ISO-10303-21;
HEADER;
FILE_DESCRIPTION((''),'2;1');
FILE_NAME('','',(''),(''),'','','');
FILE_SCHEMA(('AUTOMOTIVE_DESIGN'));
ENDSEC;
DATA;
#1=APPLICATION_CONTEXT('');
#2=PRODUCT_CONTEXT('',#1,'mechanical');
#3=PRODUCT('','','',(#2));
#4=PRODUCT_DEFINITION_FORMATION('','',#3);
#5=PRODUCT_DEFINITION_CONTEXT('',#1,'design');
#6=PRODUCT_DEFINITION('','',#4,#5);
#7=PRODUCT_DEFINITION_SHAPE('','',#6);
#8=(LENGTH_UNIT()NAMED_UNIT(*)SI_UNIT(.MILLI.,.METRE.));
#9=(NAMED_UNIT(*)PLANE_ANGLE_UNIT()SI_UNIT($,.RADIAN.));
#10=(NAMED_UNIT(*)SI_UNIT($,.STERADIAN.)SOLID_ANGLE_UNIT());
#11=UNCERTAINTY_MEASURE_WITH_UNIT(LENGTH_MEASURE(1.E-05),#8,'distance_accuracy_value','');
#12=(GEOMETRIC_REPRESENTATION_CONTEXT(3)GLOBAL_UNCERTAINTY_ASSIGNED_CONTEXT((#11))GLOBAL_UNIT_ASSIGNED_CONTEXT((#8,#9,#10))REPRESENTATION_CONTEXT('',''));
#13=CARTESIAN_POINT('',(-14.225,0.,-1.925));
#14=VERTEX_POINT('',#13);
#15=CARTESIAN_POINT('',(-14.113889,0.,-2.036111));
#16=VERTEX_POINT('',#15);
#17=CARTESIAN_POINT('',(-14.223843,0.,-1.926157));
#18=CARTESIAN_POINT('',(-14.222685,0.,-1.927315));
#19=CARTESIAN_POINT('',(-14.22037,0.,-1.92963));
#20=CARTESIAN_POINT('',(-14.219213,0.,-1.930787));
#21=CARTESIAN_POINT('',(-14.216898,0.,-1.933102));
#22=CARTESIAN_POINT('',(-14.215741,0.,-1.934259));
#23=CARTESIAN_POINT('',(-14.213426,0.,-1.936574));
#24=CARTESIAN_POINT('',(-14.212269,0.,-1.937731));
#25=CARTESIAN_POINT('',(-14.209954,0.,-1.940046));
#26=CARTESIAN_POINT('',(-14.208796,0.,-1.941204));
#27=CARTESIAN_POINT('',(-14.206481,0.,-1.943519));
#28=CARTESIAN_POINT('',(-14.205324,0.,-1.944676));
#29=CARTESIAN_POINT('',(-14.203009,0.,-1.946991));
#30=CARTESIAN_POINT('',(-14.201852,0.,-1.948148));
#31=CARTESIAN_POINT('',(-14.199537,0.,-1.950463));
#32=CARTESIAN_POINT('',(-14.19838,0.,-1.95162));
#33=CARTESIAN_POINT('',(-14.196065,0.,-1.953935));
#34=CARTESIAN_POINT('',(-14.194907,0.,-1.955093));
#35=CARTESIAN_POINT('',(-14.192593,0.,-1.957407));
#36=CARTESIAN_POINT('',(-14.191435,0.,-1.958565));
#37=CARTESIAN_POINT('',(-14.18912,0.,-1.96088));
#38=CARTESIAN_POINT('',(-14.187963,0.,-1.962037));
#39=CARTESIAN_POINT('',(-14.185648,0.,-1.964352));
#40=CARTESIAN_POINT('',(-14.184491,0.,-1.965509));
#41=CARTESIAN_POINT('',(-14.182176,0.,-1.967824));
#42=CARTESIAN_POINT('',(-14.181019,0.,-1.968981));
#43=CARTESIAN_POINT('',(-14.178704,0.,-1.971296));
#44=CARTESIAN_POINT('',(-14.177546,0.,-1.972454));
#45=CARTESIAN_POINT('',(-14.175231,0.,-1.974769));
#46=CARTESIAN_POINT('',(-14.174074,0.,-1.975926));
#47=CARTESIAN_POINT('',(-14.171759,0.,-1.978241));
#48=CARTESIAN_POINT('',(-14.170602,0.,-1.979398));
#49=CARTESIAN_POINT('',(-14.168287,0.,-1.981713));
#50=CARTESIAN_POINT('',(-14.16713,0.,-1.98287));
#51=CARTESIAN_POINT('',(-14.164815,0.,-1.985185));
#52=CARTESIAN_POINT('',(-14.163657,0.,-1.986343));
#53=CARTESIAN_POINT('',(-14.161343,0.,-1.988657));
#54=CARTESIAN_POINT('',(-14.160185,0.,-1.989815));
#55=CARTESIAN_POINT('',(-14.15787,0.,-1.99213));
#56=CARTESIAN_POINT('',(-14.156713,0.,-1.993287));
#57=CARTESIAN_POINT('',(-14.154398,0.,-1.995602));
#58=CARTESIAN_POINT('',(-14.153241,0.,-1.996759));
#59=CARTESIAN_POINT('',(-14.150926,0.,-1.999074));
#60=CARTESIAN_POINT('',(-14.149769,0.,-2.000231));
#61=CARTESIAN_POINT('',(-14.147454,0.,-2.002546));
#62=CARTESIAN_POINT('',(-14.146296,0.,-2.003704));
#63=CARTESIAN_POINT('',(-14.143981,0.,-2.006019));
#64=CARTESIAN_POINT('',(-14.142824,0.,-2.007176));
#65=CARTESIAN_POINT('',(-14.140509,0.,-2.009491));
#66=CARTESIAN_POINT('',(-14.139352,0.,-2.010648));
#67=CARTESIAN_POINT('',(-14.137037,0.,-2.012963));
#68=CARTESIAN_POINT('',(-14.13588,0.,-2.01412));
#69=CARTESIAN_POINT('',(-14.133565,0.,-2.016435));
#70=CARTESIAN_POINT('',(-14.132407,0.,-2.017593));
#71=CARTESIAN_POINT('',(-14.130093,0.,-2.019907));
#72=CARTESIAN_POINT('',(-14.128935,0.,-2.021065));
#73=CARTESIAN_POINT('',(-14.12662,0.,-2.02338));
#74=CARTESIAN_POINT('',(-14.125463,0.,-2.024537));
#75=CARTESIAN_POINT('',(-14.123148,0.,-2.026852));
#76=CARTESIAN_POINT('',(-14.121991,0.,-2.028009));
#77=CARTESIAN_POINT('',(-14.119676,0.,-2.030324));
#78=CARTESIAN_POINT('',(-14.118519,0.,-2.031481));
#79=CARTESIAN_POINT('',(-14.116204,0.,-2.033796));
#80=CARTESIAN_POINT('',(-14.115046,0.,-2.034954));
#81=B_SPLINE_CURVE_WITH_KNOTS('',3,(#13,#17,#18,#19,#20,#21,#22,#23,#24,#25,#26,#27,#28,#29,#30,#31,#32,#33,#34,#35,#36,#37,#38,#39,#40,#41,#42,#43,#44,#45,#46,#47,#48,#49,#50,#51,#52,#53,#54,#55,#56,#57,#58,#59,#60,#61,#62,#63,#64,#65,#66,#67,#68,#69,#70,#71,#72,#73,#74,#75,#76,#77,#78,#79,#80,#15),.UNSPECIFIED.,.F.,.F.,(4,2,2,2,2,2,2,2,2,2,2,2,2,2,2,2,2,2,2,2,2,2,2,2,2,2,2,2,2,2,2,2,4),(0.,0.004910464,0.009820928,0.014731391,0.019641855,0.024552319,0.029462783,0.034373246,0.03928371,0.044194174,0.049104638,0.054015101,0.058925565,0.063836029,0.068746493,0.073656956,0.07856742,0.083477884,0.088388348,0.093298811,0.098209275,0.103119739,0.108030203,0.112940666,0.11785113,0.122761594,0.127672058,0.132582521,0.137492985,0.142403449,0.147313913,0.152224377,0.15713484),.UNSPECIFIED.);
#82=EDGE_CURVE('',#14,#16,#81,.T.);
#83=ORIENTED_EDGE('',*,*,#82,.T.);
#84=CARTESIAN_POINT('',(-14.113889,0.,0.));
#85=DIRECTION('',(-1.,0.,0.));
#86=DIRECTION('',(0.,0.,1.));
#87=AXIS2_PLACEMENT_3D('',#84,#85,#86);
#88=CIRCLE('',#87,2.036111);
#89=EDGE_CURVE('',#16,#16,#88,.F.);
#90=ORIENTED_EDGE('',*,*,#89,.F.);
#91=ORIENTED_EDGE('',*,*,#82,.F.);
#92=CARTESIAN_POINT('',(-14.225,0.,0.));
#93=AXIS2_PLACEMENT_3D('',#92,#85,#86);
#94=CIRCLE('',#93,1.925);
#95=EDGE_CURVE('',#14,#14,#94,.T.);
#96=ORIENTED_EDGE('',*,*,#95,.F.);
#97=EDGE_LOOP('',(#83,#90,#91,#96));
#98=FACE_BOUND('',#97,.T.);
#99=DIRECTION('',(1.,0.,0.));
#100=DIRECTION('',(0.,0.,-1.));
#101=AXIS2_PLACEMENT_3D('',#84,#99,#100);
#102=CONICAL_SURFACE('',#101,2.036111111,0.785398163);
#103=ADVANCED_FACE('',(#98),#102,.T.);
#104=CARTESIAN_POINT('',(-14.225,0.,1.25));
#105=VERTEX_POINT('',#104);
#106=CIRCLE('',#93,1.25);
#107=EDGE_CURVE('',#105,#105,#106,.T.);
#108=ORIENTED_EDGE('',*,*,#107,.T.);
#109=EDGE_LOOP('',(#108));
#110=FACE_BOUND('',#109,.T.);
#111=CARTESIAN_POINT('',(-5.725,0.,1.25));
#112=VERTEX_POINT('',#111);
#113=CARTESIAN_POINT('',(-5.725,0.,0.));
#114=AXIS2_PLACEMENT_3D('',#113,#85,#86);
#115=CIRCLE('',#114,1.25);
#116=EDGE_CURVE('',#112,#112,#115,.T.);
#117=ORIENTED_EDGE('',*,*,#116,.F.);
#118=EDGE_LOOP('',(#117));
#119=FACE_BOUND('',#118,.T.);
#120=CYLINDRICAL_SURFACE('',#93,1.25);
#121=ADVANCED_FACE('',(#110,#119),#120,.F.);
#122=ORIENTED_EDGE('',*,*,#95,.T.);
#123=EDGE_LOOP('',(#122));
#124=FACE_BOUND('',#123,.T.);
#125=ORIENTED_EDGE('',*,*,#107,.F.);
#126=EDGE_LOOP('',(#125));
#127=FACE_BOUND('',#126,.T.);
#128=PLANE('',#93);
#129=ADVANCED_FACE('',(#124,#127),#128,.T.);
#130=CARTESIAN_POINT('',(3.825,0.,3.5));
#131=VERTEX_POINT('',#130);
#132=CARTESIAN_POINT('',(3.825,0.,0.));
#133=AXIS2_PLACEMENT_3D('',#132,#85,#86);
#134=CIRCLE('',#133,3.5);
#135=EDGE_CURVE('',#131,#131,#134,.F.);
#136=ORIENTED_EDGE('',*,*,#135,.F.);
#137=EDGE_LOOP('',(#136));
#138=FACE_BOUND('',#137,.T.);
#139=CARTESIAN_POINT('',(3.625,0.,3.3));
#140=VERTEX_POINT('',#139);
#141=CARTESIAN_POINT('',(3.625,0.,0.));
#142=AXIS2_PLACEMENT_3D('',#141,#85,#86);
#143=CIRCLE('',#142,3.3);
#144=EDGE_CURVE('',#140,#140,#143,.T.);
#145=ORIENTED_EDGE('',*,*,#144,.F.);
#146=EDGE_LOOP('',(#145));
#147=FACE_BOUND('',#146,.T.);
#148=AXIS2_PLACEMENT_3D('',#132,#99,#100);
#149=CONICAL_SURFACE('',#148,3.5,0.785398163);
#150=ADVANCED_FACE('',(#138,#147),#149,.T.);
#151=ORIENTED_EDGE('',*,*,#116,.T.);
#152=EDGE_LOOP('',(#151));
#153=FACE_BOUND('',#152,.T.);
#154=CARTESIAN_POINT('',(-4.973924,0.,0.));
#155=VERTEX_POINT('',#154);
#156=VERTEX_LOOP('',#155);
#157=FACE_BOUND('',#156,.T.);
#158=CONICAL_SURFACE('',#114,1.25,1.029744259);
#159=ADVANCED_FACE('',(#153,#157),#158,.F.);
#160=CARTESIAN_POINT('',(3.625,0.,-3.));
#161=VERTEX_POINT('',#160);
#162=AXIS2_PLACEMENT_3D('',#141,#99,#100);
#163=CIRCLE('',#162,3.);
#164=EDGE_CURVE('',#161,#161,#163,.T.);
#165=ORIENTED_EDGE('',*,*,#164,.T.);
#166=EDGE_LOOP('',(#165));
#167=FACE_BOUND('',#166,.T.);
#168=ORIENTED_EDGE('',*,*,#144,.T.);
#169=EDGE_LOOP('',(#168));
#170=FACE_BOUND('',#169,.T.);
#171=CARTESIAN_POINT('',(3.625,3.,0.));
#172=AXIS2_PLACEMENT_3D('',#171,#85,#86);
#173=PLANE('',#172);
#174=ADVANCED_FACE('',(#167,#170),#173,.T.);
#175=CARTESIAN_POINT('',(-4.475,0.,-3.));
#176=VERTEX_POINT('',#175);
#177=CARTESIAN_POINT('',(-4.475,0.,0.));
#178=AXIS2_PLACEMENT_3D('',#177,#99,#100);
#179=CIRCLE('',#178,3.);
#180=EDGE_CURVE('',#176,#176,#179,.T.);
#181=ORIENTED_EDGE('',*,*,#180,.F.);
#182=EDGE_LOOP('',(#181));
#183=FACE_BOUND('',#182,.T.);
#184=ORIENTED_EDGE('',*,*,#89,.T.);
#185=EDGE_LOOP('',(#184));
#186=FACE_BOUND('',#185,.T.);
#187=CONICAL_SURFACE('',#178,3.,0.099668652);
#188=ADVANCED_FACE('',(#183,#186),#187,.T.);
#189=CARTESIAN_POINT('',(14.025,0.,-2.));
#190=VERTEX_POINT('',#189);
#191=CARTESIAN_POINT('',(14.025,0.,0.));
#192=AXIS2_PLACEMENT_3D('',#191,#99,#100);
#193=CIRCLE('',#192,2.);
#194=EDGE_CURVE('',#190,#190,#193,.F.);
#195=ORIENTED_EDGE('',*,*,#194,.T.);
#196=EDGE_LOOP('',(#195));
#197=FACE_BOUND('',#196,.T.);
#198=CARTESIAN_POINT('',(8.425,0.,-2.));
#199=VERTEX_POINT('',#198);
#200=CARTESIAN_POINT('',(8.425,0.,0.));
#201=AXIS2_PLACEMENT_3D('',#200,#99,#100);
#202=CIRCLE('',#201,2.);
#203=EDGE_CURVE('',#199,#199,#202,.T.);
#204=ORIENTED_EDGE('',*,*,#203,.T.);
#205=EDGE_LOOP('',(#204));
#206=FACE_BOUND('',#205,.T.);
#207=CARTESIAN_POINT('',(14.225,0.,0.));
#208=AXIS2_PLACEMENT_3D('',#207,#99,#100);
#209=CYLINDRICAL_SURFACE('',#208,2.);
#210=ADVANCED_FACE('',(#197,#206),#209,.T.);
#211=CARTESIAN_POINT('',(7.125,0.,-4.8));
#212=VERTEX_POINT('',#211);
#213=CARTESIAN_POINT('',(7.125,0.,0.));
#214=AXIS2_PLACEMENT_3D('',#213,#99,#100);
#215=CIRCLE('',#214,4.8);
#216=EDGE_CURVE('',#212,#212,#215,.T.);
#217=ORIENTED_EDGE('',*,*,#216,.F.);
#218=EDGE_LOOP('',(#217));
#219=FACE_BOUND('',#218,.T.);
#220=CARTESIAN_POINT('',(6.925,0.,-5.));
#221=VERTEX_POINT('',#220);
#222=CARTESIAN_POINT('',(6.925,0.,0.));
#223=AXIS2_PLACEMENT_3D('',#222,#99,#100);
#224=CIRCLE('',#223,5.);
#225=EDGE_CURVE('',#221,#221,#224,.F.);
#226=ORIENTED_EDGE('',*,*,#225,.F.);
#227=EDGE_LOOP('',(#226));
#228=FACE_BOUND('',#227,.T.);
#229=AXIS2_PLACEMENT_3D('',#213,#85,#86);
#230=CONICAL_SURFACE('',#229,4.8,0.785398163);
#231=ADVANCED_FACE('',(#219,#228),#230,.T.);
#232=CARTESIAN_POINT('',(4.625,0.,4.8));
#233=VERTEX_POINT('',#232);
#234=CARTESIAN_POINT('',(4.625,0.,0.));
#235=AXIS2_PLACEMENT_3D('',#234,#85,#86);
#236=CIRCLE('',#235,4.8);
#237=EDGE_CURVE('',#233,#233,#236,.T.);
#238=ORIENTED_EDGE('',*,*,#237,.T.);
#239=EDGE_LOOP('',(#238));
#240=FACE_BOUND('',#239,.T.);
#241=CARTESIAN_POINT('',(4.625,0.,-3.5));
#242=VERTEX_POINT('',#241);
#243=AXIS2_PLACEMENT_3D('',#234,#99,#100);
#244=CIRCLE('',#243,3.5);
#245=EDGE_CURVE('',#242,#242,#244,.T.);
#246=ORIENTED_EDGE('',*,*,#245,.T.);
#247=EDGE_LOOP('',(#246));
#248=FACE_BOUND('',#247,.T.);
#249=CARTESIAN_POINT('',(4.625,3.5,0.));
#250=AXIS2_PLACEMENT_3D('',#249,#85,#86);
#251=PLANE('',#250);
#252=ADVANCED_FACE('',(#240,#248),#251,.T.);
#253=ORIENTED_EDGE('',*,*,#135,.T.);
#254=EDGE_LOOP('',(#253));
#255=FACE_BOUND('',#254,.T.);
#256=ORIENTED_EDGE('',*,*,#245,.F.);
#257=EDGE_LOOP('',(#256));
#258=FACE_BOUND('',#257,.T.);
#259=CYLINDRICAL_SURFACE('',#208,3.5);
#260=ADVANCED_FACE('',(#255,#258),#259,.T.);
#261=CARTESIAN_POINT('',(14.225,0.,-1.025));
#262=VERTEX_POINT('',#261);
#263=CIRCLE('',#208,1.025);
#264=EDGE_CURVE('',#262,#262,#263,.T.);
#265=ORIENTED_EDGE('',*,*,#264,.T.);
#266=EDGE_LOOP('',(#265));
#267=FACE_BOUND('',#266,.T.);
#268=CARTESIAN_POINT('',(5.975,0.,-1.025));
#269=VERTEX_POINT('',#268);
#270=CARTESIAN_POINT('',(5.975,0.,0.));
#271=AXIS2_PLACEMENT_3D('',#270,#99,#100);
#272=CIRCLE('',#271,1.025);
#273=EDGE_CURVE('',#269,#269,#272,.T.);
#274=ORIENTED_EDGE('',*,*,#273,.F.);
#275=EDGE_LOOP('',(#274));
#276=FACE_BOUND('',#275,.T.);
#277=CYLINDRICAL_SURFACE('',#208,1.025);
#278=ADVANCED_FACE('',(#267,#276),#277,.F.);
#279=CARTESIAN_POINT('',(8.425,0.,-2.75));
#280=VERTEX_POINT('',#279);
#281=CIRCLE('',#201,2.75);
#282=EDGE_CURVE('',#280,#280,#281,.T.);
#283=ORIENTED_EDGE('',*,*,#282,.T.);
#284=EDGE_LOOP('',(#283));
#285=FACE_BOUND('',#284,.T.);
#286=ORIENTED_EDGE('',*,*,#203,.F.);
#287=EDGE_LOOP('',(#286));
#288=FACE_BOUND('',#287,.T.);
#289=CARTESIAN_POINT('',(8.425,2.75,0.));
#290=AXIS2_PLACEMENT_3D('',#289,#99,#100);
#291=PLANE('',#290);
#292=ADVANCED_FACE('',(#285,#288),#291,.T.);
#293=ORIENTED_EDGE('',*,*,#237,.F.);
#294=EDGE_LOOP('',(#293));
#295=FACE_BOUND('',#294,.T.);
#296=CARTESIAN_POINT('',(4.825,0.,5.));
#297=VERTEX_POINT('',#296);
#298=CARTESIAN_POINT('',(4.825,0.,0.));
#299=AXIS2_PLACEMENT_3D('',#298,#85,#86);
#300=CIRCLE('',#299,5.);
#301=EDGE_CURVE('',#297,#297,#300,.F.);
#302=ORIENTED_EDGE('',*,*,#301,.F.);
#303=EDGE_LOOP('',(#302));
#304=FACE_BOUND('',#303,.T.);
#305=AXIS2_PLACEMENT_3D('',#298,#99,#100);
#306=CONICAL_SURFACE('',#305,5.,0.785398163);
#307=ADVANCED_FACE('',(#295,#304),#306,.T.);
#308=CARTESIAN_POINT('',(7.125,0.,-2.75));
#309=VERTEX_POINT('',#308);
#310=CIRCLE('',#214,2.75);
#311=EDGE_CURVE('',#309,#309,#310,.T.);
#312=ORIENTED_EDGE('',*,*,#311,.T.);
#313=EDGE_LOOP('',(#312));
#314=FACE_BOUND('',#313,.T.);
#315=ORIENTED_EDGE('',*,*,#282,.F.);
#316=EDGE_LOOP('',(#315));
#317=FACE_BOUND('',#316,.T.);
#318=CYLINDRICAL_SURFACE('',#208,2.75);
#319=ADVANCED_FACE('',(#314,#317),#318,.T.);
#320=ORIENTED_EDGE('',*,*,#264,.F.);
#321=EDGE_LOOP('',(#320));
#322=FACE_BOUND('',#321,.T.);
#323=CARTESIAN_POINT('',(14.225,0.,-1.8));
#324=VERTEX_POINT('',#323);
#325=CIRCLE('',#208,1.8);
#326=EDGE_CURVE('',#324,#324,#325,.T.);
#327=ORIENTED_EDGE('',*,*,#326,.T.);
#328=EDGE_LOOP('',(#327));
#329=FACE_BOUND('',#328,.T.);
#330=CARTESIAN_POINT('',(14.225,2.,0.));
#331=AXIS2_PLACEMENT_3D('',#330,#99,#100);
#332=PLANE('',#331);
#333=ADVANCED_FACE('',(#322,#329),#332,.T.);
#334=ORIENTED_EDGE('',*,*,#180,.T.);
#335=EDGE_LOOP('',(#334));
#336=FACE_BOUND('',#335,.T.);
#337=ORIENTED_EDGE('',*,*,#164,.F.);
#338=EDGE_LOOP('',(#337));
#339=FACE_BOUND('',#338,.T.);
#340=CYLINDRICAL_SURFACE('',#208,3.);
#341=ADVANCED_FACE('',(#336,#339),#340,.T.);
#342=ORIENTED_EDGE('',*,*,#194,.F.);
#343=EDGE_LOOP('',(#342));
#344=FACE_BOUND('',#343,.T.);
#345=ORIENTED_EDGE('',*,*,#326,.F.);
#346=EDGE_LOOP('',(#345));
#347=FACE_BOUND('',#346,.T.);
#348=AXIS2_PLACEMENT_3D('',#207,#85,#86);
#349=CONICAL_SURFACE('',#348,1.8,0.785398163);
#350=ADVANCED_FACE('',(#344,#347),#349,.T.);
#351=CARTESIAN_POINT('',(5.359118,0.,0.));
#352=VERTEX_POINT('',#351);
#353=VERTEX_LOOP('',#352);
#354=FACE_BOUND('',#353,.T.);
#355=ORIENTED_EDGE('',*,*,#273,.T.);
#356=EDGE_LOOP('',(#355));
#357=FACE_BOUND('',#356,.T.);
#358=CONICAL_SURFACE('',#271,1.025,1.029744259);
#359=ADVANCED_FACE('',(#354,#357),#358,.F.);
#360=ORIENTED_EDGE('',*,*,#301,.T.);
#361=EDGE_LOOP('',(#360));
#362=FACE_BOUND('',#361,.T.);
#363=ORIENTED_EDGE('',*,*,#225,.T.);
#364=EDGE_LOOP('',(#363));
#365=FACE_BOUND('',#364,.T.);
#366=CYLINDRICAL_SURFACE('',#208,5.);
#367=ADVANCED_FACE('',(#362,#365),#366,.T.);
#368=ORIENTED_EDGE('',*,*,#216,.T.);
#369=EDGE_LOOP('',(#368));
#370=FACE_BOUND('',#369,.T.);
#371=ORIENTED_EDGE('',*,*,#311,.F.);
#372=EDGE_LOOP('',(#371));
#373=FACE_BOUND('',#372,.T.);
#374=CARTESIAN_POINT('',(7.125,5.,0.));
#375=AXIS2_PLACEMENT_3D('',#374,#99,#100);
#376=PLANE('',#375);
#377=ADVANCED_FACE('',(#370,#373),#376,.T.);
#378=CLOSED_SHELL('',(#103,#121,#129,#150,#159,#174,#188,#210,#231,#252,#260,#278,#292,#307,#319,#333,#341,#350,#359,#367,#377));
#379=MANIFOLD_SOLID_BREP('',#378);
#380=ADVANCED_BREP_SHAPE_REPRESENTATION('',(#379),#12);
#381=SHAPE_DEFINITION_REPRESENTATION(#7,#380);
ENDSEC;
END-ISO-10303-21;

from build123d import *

# Parameters (mm, degrees)
CHANFREIN1_SIZE         = 0.1
CHANFREIN1_SIZE2        = 0.111665285
CHANFREIN2_SIZE         = 0.2
CHANFREIN3_SIZE         = 0.2
TROU_TARAUD_M31_D       = 2.5
TROU_TARAUD_M31_DEPTH   = 8.5
TROU_TARAUD_M31_TIP     = 0.751075774
TROU_TARAUD_M2_51_D     = 2.05
TROU_TARAUD_M2_51_DEPTH = 8.25
TROU_TARAUD_M2_51_TIP   = 0.615882135


with BuildPart() as part:
    # Esquisse1 → Révolution1 (revolve)
    with BuildSketch(Plane.XY, mode=Mode.PRIVATE) as r_volution1_sk:
        Polygon((-14.225, 0), (-14.225, 2.025), (-4.475, 3), (3.625, 3), (3.625, 3.5), (4.625, 3.5), (4.625, 5), (7.125, 5), (7.125, 2.75), (8.425, 2.75), (8.425, 2), (14.225, 2), (14.225, 0), align=None)
    revolve(r_volution1_sk.sketch.rotate(Axis((14.225, 0, 0), (-1, 0, 0)), 90), axis=Axis((14.225, 0, 0), (-1, 0, 0)))

    # Chanfrein1
    chanfrein1_edges = [part.edges().sort_by_distance(p)[0] for p in [
        (-14.225, 0, 2.025),
    ]]
    chanfrein1_side = [part.faces().sort_by_distance(p)[0] for p in [
        (-14.225, 0, 0),
    ]]
    chamfer(chanfrein1_edges, length=CHANFREIN1_SIZE, length2=CHANFREIN1_SIZE2, reference=chanfrein1_side[0])

    # Chanfrein2
    chanfrein2_edges = [part.edges().sort_by_distance(p)[0] for p in [
        (3.625, 0, 3.5),
    ]]
    chamfer(chanfrein2_edges, length=CHANFREIN2_SIZE)

    # Chanfrein3
    chanfrein3_edges = [part.edges().sort_by_distance(p)[0] for p in [
        (7.125, 0, 5),
        (4.625, 0, 5),
        (14.225, 0, 2),
    ]]
    chamfer(chanfrein3_edges, length=CHANFREIN3_SIZE)

    # Trou taraudé M31
    with Locations(Plane.ZY.offset(14.225)):
        with Locations((0, 0)):
            Hole(TROU_TARAUD_M31_D / 2, depth=TROU_TARAUD_M31_DEPTH)
            with Locations((0, 0, -(TROU_TARAUD_M31_DEPTH + TROU_TARAUD_M31_TIP / 2))):  # 118° drill point
                Cone(0, TROU_TARAUD_M31_D / 2, TROU_TARAUD_M31_TIP, mode=Mode.SUBTRACT)

    # Trou taraudé M2.51
    with Locations(Plane(origin=(14.225, 0, 0), x_dir=(0, 0, -1), z_dir=(1, 0, 0))):
        with Locations((0, 0)):
            Hole(TROU_TARAUD_M2_51_D / 2, depth=TROU_TARAUD_M2_51_DEPTH)
            with Locations((0, 0, -(TROU_TARAUD_M2_51_DEPTH + TROU_TARAUD_M2_51_TIP / 2))):  # 118° drill point
                Cone(0, TROU_TARAUD_M2_51_D / 2, TROU_TARAUD_M2_51_TIP, mode=Mode.SUBTRACT)


solid = part.part
